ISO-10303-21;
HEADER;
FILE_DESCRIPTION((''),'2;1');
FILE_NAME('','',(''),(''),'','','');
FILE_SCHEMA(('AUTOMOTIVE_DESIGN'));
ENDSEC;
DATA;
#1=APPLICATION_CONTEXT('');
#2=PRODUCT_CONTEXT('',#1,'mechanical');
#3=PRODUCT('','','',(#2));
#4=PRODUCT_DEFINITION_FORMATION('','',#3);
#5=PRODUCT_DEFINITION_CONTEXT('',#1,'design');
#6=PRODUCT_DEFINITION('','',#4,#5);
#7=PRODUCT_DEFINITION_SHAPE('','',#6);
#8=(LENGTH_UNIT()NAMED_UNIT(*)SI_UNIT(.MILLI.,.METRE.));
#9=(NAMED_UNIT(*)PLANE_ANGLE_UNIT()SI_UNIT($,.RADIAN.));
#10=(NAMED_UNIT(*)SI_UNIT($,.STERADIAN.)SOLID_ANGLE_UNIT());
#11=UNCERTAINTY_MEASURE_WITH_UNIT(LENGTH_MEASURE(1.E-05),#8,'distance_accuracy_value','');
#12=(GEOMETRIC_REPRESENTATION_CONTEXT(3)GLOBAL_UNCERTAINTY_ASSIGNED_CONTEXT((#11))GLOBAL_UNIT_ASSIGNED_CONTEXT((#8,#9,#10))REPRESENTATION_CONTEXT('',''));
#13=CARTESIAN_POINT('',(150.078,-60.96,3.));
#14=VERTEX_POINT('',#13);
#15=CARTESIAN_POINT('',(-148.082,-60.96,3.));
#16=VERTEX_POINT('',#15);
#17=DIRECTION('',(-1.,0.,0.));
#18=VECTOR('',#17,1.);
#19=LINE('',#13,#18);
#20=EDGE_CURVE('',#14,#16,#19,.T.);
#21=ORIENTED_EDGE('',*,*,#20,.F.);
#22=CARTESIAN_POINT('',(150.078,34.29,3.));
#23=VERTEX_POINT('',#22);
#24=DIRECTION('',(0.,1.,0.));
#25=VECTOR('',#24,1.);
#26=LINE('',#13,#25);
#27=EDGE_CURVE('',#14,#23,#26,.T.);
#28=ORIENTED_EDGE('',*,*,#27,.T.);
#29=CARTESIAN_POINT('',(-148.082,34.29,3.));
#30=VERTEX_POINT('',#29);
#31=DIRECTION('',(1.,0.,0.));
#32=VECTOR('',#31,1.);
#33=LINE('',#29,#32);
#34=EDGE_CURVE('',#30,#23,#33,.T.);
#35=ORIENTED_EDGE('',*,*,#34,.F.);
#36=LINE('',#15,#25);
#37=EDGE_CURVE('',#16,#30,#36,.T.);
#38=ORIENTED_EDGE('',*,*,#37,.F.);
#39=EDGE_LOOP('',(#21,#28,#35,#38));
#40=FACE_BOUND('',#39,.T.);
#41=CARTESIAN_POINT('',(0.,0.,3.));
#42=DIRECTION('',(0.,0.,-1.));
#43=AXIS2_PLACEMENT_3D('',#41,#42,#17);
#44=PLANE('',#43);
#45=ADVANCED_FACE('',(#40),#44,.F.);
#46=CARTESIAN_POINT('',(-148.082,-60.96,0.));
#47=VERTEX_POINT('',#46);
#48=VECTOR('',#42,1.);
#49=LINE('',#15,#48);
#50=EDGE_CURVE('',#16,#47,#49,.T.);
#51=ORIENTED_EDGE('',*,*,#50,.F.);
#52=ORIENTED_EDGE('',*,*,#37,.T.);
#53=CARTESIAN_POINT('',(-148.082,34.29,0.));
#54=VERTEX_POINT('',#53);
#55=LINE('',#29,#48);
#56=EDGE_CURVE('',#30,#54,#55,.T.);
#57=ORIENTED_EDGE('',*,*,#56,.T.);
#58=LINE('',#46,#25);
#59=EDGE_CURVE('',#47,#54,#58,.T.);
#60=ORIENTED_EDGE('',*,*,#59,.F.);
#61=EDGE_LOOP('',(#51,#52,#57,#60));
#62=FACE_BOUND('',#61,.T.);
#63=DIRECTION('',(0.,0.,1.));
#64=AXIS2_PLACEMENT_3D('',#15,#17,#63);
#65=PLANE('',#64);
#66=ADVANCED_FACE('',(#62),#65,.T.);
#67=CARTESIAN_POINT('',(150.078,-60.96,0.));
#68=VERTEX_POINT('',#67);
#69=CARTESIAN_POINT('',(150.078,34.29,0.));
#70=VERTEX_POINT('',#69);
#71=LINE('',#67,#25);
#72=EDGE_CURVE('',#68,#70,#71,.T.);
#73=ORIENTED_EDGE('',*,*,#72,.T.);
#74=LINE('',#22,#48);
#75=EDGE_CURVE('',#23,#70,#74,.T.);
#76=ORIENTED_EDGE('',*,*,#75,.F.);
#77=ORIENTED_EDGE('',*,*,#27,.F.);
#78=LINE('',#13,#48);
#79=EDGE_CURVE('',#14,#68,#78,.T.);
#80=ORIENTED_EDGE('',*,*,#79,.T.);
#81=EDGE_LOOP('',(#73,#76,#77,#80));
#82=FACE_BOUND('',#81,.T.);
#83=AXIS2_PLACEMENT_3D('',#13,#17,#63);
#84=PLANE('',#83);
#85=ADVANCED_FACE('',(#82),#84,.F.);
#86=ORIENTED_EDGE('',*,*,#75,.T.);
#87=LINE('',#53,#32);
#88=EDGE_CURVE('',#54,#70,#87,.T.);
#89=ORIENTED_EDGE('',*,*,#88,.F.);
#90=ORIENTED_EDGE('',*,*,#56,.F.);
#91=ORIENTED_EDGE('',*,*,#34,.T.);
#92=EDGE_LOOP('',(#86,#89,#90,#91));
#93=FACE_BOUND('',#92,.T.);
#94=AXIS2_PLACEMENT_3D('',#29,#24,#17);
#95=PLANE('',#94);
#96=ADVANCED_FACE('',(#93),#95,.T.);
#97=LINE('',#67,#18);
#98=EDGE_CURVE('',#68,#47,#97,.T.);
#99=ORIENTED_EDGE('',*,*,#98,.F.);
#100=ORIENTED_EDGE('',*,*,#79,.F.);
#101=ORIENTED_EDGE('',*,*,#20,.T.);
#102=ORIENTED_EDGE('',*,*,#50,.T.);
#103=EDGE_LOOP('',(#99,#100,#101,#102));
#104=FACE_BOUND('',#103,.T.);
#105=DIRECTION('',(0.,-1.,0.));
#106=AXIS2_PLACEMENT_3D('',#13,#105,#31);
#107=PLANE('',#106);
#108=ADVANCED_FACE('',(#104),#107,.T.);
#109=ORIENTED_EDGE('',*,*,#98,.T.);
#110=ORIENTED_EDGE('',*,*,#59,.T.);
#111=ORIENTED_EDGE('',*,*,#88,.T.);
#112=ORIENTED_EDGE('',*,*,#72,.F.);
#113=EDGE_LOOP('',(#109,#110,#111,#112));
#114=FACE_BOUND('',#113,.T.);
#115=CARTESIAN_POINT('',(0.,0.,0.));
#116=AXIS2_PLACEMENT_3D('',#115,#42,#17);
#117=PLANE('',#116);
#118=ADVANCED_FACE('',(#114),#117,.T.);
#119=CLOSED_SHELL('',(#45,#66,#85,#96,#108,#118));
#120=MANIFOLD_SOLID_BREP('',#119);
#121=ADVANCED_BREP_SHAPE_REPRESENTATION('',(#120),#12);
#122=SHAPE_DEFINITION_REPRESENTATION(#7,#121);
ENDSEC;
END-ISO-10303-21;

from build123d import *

# Parameters (mm, degrees)
SKETCH1_W           = 298.16
SKETCH1_H           = 95.25
BOSS_EXTRUDE1_DEPTH = 3


with BuildPart() as part:
    # Sketch1 → Boss-Extrude1 (new body)
    with BuildSketch(Plane.XY):
        with Locations((0.998, -13.335)):
            Rectangle(SKETCH1_W, SKETCH1_H)
    extrude(amount=BOSS_EXTRUDE1_DEPTH)


solid = part.part
